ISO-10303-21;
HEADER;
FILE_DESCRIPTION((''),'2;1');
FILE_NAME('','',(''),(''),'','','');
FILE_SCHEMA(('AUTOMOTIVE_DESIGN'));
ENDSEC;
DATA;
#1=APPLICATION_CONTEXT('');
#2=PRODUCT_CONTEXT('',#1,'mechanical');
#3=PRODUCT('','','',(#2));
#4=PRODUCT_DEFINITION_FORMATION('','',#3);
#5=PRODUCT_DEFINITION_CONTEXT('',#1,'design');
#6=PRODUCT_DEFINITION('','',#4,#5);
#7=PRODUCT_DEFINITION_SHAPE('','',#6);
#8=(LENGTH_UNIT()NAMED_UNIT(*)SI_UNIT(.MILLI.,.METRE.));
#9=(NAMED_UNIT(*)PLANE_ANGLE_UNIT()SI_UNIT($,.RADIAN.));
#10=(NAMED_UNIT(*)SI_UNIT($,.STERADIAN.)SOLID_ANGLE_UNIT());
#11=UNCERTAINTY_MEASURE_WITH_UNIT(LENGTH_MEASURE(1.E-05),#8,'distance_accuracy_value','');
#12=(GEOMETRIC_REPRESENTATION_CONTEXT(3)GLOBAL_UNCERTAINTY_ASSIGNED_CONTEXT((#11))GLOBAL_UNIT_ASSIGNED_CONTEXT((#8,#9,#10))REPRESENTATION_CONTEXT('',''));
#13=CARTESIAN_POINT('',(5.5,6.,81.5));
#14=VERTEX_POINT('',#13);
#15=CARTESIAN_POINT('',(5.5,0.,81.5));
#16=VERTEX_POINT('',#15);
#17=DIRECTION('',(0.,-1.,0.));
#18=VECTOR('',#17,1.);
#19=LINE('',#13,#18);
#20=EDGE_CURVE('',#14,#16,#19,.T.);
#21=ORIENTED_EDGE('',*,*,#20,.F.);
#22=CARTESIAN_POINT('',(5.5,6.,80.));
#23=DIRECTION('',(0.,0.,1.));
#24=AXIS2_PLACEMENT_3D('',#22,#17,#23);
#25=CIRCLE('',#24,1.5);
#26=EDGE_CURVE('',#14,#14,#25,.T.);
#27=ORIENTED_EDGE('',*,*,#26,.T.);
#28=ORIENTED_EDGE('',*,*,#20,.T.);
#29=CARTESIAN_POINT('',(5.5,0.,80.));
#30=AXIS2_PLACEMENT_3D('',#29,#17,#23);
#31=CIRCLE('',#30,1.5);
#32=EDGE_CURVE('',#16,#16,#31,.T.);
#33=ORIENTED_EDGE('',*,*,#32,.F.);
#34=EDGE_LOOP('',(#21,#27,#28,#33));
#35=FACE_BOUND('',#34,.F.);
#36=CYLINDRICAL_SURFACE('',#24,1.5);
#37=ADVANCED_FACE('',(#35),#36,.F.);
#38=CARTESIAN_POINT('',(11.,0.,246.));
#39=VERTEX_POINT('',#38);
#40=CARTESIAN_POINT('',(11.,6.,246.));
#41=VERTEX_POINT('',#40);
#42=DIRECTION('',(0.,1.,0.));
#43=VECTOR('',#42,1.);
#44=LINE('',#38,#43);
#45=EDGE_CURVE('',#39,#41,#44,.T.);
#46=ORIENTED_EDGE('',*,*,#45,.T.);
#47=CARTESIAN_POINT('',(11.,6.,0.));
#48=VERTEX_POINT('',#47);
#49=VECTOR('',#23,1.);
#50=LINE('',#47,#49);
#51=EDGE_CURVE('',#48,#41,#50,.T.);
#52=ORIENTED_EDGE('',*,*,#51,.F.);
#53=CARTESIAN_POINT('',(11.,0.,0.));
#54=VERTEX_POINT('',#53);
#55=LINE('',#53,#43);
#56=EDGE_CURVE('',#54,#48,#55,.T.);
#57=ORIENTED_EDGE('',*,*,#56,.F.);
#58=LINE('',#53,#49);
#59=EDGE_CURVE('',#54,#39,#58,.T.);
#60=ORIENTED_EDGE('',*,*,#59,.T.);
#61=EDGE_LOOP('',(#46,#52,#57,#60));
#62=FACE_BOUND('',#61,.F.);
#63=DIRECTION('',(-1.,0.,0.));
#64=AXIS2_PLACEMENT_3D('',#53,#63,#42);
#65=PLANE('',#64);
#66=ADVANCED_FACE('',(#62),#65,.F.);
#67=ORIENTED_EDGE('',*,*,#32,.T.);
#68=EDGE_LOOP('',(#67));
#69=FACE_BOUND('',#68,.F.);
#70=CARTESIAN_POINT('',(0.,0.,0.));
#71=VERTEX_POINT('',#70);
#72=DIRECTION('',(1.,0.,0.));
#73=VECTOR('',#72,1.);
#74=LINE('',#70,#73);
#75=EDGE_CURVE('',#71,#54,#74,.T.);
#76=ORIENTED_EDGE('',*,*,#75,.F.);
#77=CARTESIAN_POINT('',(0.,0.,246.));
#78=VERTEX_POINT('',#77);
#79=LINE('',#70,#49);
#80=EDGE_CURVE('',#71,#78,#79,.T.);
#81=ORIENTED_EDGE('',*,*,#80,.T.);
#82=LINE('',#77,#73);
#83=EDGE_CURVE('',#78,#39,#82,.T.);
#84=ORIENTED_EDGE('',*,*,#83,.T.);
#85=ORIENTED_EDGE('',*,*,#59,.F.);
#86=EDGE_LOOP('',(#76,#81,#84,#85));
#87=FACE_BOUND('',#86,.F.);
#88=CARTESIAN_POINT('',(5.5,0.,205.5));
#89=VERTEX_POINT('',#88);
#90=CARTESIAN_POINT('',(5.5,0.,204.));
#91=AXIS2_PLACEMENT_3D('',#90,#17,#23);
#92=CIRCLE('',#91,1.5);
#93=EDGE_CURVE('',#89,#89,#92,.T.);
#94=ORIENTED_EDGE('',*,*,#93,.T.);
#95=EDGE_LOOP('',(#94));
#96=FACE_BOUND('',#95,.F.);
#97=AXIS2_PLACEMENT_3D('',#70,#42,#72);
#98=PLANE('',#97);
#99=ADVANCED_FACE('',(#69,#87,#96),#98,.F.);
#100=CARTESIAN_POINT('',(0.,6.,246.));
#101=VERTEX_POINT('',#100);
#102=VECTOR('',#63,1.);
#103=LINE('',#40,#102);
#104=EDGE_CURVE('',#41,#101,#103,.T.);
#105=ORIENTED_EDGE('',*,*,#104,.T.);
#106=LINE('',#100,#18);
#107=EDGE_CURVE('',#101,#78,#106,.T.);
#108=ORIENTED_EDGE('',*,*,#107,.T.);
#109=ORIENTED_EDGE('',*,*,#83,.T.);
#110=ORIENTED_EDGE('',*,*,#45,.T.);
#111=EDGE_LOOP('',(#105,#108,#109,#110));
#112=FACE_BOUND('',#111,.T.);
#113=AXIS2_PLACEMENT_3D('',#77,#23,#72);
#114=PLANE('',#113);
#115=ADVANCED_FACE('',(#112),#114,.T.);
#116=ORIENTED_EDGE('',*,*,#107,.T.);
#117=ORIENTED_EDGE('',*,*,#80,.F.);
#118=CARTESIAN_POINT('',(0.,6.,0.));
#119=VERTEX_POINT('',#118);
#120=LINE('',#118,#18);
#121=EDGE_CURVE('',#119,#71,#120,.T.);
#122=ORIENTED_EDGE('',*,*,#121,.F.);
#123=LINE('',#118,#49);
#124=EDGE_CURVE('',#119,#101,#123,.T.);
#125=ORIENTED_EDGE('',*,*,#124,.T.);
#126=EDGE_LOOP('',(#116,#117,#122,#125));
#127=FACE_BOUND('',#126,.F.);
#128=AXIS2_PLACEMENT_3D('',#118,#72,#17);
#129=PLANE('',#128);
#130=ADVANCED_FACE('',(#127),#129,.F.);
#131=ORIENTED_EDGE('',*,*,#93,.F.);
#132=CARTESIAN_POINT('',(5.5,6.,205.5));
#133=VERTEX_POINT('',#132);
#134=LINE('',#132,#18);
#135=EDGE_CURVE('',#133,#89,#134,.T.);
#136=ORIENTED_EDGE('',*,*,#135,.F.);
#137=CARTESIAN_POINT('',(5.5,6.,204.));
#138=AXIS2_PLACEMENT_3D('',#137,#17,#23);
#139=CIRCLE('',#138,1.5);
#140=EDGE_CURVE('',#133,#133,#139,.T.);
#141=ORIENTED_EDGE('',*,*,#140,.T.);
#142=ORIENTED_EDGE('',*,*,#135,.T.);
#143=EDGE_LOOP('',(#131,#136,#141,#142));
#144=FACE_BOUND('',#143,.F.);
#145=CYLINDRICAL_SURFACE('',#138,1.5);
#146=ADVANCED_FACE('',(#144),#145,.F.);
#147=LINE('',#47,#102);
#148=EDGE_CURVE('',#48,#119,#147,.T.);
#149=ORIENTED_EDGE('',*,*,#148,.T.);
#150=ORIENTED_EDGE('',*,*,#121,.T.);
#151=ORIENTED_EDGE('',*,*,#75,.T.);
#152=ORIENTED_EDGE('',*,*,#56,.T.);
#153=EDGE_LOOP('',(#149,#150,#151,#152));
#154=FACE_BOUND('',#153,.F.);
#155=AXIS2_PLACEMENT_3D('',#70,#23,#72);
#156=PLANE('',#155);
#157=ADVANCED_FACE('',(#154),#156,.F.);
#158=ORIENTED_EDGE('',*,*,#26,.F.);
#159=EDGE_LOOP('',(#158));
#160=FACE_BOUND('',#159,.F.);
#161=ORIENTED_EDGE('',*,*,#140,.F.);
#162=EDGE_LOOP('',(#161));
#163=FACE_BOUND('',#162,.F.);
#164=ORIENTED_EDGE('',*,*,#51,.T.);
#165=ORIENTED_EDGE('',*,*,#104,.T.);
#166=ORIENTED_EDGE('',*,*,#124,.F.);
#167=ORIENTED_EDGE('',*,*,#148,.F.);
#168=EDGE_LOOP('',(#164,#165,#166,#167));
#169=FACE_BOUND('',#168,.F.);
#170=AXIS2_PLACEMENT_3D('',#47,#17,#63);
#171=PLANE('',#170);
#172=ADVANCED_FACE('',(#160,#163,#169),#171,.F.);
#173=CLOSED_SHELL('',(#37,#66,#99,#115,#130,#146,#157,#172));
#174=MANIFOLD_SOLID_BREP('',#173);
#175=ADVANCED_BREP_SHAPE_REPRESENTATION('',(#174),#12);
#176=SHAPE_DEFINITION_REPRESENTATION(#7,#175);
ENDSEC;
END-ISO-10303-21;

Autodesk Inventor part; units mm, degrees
ref_plane "YZ Plane" through (0, 0, 0) normal (1, 0, 0) x (0, 1, 0)
ref_plane "XZ Plane" through (0, 0, 0) normal (0, 1, 0) x (-1, 0, 0)
ref_plane "XY Plane" through (0, 0, 0) normal (0, 0, 1) x (1, 0, 0)
sketch "スケッチ1" plane through (0, 0, 0) normal (0, 0, 1) x (1, 0, 0)
  line L0 (0, 0) -> (11, 0)
  line L1 (11, 0) -> (11, 6)
  line L2 (11, 6) -> (0, 6)
  line L3 (0, 6) -> (0, 0)
  dimension "d0" = 11
  dimension "d1" = 6
extrude "押し出し1" add sketch "スケッチ1" along normal blind 246
sketch "スケッチ2" plane through (0, 6, 0) normal (0, 1, 0) x (1, 0, 0)
  line L0 (11, 0) -> (0, 0) projected
  line L1 (11, -246) -> (0, -246) projected
  point P0 (5.5, -204)
  point P1 (5.5, -80)
  point P2 (5.5, 0)
  dimension "d4" = 80
  dimension "d5" = 42
hole "穴1" at (5.5, 6, 204) at (5.5, 6, 80) direction (0, -1, 0) diameter 3 depth 8 tip angle 118
properties part number "slider4a"
